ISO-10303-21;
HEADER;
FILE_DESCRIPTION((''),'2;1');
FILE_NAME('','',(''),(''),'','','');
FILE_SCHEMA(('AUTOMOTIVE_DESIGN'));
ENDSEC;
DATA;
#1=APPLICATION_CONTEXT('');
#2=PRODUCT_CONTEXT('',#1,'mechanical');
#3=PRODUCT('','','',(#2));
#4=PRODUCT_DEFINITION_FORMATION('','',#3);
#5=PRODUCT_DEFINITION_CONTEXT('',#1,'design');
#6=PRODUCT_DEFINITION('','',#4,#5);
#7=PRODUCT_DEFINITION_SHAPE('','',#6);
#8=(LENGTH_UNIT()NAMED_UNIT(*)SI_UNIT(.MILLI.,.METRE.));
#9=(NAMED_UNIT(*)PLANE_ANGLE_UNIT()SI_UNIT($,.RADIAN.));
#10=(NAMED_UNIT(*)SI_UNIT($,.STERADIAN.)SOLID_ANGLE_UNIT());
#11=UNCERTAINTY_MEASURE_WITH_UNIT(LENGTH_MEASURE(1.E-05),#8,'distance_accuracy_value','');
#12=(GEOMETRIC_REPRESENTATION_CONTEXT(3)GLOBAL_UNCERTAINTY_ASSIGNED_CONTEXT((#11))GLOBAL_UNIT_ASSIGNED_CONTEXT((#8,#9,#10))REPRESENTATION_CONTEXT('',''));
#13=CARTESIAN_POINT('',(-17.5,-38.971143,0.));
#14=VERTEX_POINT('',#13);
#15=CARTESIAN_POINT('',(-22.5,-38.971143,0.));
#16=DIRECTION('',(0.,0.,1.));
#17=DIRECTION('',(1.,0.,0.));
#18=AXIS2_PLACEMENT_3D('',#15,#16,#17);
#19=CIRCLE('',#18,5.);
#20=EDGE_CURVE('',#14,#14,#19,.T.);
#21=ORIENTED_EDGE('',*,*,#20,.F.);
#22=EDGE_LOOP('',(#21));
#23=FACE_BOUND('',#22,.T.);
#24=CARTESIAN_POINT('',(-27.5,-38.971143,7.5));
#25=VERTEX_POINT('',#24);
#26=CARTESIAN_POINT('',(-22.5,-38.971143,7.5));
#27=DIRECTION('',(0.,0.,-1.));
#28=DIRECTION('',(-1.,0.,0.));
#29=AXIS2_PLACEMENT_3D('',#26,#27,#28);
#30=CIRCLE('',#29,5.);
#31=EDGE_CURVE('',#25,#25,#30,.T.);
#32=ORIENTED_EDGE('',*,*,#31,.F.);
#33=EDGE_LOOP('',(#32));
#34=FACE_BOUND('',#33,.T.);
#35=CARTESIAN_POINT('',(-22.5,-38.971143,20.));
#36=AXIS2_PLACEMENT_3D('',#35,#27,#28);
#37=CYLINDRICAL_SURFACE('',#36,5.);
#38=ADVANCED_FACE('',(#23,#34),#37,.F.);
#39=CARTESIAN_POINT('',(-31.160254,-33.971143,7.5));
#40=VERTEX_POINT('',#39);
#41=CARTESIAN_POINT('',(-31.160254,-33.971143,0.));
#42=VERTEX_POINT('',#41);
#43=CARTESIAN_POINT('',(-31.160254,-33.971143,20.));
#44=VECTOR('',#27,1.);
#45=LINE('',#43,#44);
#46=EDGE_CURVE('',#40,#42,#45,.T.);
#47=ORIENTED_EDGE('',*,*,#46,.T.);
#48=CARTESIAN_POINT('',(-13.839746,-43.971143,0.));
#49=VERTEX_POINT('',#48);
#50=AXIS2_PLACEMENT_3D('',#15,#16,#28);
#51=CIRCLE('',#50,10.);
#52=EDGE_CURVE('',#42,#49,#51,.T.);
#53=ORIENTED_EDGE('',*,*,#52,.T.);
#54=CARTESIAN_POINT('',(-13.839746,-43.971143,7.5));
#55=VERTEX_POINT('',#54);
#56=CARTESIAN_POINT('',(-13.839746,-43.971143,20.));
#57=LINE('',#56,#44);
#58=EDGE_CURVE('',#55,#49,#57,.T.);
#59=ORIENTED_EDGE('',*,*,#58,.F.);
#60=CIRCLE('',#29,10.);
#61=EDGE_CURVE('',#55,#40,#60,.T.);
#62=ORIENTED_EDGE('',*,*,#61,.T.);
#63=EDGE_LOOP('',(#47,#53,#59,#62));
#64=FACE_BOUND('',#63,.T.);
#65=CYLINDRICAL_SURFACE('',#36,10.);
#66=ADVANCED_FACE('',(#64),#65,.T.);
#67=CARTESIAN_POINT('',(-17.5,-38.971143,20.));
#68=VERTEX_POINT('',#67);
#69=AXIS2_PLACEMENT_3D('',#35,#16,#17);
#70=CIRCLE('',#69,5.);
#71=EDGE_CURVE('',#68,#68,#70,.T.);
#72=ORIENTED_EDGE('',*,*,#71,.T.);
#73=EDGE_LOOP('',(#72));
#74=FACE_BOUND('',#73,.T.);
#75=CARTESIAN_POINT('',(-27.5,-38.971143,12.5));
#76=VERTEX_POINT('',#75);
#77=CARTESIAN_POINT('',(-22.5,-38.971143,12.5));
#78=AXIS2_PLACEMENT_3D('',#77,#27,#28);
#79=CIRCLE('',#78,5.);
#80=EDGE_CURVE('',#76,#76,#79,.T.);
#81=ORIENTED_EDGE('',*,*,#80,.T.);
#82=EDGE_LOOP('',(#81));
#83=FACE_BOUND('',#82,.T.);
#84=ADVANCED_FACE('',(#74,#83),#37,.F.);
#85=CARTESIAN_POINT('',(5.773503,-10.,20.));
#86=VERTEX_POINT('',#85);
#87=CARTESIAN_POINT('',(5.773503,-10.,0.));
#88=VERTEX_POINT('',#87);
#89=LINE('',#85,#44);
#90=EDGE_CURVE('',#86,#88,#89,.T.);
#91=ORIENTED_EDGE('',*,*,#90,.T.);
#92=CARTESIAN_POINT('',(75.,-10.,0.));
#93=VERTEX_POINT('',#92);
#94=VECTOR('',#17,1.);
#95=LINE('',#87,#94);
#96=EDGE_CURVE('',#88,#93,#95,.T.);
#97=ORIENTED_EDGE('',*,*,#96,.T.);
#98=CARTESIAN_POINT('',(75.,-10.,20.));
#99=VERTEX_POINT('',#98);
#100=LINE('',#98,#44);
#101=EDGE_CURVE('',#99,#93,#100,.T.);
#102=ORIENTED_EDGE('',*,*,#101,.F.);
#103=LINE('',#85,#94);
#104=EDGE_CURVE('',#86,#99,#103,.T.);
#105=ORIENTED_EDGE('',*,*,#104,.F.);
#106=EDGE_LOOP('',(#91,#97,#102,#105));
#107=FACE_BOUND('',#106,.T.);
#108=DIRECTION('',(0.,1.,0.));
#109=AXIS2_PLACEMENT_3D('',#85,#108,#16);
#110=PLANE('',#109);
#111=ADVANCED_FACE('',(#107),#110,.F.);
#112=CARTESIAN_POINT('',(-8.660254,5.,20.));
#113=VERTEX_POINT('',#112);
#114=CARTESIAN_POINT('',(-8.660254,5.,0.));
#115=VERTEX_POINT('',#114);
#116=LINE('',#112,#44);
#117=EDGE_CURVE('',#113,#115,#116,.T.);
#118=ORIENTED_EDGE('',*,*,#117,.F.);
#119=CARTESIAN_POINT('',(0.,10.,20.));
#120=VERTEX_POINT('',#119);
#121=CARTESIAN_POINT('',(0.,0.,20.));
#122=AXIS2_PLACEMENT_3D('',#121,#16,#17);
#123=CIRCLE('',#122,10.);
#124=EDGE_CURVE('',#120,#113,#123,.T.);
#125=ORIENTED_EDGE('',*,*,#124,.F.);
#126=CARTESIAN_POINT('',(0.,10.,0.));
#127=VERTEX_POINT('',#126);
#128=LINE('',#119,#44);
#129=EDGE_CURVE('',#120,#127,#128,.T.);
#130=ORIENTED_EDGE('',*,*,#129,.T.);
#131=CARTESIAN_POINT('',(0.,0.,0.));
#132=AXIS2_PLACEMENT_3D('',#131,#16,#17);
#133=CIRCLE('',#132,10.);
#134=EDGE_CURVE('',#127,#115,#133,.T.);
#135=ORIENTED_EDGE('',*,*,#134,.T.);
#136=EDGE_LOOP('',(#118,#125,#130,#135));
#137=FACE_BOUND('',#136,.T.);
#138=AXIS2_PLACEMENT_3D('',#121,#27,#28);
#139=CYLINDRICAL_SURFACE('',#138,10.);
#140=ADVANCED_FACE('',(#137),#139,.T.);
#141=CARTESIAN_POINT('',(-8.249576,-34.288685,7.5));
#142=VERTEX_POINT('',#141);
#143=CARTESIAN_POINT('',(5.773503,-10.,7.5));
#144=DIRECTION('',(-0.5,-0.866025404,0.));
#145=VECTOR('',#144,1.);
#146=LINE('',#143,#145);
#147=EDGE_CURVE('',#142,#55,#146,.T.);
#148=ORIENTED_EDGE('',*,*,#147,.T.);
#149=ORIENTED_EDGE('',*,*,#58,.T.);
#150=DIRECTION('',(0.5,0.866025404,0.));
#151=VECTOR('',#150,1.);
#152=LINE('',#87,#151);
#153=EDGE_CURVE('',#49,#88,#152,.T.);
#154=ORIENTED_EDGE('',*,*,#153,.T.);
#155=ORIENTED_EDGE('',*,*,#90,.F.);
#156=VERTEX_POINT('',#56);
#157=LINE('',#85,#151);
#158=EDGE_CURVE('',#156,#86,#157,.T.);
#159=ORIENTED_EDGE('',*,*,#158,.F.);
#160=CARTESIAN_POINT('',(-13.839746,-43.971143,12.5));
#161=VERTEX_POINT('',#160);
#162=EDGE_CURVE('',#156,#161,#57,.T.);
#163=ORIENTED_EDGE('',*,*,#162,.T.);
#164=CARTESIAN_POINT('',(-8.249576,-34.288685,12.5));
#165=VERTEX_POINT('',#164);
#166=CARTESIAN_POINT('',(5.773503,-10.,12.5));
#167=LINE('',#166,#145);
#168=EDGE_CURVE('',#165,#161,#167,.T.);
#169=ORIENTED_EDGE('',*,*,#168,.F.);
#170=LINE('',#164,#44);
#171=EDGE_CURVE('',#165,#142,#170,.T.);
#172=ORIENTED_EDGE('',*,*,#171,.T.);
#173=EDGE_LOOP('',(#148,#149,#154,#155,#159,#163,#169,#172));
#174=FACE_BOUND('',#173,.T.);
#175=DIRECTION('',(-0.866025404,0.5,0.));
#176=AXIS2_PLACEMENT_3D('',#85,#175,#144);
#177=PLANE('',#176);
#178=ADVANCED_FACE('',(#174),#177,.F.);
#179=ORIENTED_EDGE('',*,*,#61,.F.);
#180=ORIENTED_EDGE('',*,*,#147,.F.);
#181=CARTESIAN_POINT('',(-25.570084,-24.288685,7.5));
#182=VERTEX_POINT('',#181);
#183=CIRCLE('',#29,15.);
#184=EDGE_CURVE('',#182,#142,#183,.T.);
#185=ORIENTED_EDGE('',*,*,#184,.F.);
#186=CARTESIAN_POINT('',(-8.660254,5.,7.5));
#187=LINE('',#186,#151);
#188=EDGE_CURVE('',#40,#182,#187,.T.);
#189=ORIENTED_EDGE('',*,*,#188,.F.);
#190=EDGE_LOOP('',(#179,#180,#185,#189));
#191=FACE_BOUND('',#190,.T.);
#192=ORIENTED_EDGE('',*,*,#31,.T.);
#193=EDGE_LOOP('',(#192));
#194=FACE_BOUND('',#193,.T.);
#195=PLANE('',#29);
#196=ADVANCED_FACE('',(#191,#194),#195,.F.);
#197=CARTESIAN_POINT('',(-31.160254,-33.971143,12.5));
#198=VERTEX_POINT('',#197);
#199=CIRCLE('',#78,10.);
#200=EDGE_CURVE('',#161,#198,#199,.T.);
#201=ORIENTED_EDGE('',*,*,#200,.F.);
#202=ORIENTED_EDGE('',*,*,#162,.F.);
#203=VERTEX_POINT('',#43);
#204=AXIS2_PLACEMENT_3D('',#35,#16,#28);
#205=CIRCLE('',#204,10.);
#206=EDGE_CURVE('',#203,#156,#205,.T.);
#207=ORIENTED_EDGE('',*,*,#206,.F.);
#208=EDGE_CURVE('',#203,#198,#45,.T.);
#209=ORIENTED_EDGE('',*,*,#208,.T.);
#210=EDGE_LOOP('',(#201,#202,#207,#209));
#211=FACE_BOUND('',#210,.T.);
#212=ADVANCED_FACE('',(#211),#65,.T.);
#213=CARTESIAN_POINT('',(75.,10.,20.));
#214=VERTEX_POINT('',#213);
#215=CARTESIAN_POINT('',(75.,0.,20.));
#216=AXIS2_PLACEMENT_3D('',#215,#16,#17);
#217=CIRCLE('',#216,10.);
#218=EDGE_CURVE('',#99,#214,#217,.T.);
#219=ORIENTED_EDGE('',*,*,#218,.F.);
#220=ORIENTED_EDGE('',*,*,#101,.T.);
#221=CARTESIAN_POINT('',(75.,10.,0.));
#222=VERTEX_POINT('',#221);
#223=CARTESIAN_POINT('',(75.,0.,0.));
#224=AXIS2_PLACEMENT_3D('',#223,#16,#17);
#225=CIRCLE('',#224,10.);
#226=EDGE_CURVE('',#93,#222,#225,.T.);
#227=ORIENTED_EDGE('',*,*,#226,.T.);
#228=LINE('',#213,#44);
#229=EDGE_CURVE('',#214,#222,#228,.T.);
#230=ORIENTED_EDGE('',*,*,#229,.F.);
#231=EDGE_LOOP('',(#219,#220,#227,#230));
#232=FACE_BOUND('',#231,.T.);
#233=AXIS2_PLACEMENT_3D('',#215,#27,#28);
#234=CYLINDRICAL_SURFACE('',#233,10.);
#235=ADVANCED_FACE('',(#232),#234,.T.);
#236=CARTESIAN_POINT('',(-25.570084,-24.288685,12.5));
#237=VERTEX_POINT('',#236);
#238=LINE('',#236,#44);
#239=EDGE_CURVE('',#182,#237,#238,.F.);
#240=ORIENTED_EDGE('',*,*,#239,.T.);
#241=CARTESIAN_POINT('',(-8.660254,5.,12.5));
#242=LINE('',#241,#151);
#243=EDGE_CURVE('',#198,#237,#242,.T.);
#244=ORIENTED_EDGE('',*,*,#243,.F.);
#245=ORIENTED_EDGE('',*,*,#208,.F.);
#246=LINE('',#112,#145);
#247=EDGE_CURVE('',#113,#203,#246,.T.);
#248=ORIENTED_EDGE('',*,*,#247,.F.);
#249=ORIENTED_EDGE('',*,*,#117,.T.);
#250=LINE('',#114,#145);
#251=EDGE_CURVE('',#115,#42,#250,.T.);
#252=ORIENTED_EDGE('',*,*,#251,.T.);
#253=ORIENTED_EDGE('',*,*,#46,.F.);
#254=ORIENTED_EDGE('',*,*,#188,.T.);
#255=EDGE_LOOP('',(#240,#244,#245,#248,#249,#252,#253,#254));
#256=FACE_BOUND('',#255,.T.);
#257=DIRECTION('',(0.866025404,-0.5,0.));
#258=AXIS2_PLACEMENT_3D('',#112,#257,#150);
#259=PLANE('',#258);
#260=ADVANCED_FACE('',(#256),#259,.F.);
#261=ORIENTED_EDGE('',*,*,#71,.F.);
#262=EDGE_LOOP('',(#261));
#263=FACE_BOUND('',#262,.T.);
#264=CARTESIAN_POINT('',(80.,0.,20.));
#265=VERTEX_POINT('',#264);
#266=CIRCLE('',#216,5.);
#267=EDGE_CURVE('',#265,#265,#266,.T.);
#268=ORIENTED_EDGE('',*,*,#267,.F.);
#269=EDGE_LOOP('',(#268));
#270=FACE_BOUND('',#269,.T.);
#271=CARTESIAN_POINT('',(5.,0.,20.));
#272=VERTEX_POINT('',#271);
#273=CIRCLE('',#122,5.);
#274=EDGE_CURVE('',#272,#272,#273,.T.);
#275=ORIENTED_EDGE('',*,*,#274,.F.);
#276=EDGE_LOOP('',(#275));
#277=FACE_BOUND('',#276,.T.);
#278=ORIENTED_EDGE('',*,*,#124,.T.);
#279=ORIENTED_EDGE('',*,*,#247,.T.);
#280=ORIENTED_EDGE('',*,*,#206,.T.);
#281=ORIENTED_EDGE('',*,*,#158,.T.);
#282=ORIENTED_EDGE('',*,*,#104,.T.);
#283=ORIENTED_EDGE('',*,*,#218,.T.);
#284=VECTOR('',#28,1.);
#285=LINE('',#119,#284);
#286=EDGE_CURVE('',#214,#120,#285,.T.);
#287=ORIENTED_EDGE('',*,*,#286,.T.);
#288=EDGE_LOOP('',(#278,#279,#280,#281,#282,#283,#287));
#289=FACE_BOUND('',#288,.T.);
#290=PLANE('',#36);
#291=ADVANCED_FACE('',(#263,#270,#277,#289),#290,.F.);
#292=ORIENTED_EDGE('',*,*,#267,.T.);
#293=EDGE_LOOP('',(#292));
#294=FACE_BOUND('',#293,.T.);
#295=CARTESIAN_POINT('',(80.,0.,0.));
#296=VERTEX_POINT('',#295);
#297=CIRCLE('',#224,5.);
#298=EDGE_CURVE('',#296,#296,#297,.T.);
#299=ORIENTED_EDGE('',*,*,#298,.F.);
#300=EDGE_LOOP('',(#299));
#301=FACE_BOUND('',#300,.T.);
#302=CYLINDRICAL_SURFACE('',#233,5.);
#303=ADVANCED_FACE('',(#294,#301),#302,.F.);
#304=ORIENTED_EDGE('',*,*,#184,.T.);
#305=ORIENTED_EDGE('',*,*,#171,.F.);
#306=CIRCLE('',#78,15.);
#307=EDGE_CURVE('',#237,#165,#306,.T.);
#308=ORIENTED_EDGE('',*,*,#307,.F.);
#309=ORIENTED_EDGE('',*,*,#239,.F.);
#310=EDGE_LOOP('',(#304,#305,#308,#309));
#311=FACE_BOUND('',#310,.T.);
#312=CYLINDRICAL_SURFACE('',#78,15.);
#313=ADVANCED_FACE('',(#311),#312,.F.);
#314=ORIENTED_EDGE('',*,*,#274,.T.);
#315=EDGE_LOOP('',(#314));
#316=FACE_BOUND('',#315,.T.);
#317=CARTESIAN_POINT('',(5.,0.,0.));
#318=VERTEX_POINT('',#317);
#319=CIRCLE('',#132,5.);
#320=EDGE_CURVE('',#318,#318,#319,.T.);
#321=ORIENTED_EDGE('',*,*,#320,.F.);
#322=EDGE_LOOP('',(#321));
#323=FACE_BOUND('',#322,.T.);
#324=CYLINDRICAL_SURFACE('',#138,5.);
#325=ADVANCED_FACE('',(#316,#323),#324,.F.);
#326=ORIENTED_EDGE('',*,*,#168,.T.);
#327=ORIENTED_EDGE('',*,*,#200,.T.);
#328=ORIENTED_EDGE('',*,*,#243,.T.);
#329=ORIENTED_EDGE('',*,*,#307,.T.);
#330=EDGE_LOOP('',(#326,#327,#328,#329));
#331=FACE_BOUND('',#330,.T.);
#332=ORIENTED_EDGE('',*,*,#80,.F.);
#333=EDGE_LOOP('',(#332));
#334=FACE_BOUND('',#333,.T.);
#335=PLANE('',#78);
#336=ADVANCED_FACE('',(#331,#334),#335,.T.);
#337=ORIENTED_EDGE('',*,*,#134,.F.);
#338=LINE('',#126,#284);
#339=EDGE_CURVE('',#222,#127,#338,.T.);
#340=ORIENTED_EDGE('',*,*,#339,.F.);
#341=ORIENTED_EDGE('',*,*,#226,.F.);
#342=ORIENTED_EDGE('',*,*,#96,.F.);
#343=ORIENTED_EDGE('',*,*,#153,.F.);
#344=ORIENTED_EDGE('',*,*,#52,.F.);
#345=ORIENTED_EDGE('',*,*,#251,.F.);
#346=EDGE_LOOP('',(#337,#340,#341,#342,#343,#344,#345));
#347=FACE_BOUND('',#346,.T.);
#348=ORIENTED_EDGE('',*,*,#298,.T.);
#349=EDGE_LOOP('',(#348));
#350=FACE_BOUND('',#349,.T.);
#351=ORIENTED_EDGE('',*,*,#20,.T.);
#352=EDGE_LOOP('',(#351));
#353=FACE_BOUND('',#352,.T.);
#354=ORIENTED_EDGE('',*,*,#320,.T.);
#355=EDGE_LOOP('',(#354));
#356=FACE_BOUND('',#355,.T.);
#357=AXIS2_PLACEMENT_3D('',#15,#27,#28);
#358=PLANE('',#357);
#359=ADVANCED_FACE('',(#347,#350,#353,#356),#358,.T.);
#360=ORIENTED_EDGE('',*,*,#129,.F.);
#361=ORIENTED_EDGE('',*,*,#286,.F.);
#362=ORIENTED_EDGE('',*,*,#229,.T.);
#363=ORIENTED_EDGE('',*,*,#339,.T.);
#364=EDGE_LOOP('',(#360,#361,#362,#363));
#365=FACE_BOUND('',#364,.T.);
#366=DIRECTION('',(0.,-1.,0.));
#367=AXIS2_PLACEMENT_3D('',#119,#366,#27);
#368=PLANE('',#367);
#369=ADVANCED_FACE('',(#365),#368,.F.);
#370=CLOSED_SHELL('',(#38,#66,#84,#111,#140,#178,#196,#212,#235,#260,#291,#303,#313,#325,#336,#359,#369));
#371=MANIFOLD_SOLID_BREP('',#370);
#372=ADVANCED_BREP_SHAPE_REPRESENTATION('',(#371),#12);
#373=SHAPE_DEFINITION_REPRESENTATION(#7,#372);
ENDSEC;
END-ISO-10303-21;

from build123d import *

# Parameters (mm, degrees)
SKETCH1_R           = 5
BOSS_EXTRUDE1_DEPTH = 20
SKETCH4_R           = 15
CUT_EXTRUDE1_DEPTH  = 2.5


with BuildPart() as part:
    # Sketch1 → Boss-Extrude1 (new body)
    with BuildSketch(Plane.XY):
        with BuildLine():
            Line((5.773502692, -10), (75, -10))
            ThreePointArc((75, -10), (85, 0), (75, 10))
            Line((75, 10), (0, 10))
            ThreePointArc((0, 10), (-5, 8.660254038), (-8.660254038, 5))
            Line((-8.660254038, 5), (-31.160254038, -33.97114317))
            ThreePointArc((-31.160254038, -33.97114317), (-27.5, -47.631397208), (-13.839745962, -43.97114317))
            Line((-13.839745962, -43.97114317), (5.773502692, -10))
        make_face()
        with Locations((-22.5, -38.97114317)):
            Circle(SKETCH1_R, mode=Mode.SUBTRACT)
        Circle(SKETCH1_R, mode=Mode.SUBTRACT)
        with Locations((75, 0)):
            Circle(SKETCH1_R, mode=Mode.SUBTRACT)
    extrude(amount=BOSS_EXTRUDE1_DEPTH)

    # Sketch4 → Cut-Extrude1 (cut, symmetric)
    with BuildSketch(Plane(origin=(0, 0, 10), x_dir=(-1, 0, 0), z_dir=(0, 0, -1))):
        with Locations((22.5, -38.97114317)):
            Circle(SKETCH4_R)
    extrude(amount=CUT_EXTRUDE1_DEPTH, both=True, mode=Mode.SUBTRACT)


solid = part.part
